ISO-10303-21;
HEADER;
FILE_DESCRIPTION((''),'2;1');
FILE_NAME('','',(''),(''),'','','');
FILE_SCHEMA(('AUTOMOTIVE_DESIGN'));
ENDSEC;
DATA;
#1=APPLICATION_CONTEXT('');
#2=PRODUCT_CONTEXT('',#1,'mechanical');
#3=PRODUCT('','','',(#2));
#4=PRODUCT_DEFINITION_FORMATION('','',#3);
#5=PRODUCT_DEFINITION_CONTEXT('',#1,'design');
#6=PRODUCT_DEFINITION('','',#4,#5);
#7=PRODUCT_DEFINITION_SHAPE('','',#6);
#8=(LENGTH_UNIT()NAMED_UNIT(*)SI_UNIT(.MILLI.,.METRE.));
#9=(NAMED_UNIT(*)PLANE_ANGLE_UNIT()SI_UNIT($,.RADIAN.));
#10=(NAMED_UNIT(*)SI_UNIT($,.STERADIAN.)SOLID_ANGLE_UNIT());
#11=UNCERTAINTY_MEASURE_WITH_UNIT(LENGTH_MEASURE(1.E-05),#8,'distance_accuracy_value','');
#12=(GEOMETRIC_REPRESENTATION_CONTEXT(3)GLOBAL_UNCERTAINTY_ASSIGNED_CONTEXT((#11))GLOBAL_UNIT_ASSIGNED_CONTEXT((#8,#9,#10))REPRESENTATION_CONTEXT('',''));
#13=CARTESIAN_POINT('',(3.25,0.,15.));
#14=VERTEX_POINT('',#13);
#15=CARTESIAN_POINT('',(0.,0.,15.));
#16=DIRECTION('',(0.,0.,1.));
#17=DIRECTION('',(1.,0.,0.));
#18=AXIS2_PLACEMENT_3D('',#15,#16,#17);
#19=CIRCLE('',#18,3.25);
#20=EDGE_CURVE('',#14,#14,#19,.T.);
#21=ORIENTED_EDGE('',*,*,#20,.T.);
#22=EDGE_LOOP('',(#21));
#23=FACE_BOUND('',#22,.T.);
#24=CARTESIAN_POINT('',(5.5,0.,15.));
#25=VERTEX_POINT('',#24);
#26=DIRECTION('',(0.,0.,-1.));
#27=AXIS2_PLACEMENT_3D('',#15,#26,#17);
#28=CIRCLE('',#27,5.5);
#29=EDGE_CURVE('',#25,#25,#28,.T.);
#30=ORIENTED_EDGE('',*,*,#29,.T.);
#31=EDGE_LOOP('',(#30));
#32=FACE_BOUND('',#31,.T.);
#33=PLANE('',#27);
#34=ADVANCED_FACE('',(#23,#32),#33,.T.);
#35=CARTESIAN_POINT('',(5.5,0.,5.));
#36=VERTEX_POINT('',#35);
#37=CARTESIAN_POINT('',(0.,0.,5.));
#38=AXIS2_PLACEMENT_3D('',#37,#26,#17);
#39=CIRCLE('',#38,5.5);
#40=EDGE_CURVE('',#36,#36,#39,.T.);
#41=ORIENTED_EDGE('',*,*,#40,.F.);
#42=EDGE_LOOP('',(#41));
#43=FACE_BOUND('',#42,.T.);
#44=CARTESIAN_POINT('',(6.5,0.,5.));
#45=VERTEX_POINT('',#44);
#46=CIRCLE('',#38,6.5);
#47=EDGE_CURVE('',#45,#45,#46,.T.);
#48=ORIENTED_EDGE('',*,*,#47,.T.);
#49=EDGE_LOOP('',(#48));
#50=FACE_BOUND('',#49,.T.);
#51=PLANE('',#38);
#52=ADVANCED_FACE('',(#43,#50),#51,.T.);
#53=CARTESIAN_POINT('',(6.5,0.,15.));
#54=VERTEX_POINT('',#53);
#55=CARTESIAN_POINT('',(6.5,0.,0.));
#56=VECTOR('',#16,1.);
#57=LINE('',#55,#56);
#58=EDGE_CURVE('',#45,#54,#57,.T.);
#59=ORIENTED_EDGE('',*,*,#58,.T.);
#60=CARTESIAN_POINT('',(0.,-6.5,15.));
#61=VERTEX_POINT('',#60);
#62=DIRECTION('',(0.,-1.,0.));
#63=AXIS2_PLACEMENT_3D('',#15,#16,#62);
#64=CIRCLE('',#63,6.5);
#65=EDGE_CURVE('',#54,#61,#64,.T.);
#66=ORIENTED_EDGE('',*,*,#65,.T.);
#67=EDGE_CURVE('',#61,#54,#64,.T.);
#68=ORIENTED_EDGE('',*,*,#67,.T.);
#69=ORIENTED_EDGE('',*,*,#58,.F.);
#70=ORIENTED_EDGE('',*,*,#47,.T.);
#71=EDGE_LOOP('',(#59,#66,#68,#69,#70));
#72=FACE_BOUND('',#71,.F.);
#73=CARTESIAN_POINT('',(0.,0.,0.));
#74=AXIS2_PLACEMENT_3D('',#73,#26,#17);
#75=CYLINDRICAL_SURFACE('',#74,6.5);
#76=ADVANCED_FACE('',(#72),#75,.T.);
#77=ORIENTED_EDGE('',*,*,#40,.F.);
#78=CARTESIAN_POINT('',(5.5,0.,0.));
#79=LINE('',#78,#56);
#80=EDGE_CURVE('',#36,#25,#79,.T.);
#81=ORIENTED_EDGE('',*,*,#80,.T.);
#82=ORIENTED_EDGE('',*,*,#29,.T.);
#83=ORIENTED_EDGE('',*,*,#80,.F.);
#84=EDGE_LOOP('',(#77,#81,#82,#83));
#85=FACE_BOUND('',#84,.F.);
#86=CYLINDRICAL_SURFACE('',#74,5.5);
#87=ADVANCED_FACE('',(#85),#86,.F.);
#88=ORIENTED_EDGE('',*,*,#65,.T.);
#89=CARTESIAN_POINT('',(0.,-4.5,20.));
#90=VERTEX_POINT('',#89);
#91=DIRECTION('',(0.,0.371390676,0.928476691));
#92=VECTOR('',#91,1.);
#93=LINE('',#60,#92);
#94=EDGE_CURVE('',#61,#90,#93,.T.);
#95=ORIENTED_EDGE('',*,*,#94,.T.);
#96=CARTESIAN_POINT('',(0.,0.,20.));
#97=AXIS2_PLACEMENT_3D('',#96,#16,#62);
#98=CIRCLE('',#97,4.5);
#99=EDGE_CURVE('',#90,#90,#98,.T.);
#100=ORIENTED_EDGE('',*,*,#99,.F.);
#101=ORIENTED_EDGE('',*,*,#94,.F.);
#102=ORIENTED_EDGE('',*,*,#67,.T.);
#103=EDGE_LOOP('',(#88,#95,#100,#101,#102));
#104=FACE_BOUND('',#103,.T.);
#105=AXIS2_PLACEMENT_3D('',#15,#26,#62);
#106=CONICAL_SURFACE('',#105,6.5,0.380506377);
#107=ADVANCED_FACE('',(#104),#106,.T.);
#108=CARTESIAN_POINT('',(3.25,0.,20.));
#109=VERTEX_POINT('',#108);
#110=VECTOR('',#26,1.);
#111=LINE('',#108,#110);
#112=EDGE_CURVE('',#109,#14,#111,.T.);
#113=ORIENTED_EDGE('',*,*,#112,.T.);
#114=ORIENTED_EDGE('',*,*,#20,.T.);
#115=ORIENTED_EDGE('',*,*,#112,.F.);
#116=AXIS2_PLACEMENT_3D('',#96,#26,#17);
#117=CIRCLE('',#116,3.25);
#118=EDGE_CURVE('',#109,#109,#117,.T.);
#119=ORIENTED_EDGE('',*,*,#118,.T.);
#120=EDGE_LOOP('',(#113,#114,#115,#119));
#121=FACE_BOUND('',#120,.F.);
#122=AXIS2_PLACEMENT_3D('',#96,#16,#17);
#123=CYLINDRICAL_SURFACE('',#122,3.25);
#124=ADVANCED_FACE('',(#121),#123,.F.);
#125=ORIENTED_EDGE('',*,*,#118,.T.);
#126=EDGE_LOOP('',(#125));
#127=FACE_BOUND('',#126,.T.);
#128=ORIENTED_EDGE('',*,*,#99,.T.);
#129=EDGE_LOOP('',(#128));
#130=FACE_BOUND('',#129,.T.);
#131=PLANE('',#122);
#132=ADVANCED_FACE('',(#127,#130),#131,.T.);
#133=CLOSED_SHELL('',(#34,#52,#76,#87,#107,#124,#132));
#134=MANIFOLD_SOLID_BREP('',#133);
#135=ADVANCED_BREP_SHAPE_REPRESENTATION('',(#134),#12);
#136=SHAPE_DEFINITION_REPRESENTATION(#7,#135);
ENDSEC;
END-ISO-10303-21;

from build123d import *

# Parameters (mm, degrees)
SKETCH177_R     = 6.5
PAD072_DEPTH    = 20
SKETCH178_R     = 3.25
POCKET069_DEPTH = 20.001
SKETCH179_R     = 5.5
POCKET070_DEPTH = 15
SKETCH180_W     = 0.76168
SKETCH180_H     = 6.5
PAD073_DEPTH    = 2
SKETCH182_W     = 6.5
SKETCH182_H     = 2
POCKET071_DEPTH = 6.501
SKETCH183_R     = 7.331051
POCKET072_DEPTH = 5


with BuildPart() as part:
    # Sketch177 → Pad072 (new body)
    with BuildSketch(Plane.XY):
        Circle(SKETCH177_R)
    extrude(amount=PAD072_DEPTH)

    # Sketch178 (on Face3 of Pad072) → Pocket069 (cut, through all)
    with BuildSketch(Plane.XY.offset(20)):
        Circle(SKETCH178_R)
    extrude(amount=-POCKET069_DEPTH, mode=Mode.SUBTRACT)

    # Sketch179 (on Face2 of Pocket069) → Pocket070 (cut)
    with BuildSketch(Plane(origin=(0, 0, 0), x_dir=(1, 0, 0), z_dir=(0, 0, -1))):
        Circle(SKETCH179_R)
    extrude(amount=-POCKET070_DEPTH, mode=Mode.SUBTRACT)

    # Sketch180 (on Face3 of Pocket070) → Pad073 (join)
    with BuildSketch(Plane.XY.offset(20)):
        with Locations((0.38084, -3.25)):
            Rectangle(SKETCH180_W, SKETCH180_H)
    extrude(amount=PAD073_DEPTH)

    # Sketch181 (on Face9 of Pad073) → Groove001 (revolve, cut)
    with BuildSketch(Plane(origin=(0, 0, 0), x_dir=(0, -1, 0), z_dir=(-1, 0, 0))):
        Polygon((4.5, 20), (6.5, 20), (6.5, 15), align=None)
    revolve(axis=Axis((0, 0, 0), (0, 0, 1)), mode=Mode.SUBTRACT)

    # Sketch182 (on Face9 of Groove001) → Pocket071 (cut, through all)
    with BuildSketch(Plane(origin=(0, 0, 0), x_dir=(0, -1, 0), z_dir=(-1, 0, 0))):
        with Locations((3.25, 21)):
            Rectangle(SKETCH182_W, SKETCH182_H)
    extrude(amount=-POCKET071_DEPTH, mode=Mode.SUBTRACT)

    # Sketch183 (on Face1 of Pocket071) → Pocket072 (cut)
    with BuildSketch(Plane(origin=(0, 0, 0), x_dir=(1, 0, 0), z_dir=(0, 0, -1))):
        Circle(SKETCH183_R)
    extrude(amount=-POCKET072_DEPTH, mode=Mode.SUBTRACT)


solid = part.part
